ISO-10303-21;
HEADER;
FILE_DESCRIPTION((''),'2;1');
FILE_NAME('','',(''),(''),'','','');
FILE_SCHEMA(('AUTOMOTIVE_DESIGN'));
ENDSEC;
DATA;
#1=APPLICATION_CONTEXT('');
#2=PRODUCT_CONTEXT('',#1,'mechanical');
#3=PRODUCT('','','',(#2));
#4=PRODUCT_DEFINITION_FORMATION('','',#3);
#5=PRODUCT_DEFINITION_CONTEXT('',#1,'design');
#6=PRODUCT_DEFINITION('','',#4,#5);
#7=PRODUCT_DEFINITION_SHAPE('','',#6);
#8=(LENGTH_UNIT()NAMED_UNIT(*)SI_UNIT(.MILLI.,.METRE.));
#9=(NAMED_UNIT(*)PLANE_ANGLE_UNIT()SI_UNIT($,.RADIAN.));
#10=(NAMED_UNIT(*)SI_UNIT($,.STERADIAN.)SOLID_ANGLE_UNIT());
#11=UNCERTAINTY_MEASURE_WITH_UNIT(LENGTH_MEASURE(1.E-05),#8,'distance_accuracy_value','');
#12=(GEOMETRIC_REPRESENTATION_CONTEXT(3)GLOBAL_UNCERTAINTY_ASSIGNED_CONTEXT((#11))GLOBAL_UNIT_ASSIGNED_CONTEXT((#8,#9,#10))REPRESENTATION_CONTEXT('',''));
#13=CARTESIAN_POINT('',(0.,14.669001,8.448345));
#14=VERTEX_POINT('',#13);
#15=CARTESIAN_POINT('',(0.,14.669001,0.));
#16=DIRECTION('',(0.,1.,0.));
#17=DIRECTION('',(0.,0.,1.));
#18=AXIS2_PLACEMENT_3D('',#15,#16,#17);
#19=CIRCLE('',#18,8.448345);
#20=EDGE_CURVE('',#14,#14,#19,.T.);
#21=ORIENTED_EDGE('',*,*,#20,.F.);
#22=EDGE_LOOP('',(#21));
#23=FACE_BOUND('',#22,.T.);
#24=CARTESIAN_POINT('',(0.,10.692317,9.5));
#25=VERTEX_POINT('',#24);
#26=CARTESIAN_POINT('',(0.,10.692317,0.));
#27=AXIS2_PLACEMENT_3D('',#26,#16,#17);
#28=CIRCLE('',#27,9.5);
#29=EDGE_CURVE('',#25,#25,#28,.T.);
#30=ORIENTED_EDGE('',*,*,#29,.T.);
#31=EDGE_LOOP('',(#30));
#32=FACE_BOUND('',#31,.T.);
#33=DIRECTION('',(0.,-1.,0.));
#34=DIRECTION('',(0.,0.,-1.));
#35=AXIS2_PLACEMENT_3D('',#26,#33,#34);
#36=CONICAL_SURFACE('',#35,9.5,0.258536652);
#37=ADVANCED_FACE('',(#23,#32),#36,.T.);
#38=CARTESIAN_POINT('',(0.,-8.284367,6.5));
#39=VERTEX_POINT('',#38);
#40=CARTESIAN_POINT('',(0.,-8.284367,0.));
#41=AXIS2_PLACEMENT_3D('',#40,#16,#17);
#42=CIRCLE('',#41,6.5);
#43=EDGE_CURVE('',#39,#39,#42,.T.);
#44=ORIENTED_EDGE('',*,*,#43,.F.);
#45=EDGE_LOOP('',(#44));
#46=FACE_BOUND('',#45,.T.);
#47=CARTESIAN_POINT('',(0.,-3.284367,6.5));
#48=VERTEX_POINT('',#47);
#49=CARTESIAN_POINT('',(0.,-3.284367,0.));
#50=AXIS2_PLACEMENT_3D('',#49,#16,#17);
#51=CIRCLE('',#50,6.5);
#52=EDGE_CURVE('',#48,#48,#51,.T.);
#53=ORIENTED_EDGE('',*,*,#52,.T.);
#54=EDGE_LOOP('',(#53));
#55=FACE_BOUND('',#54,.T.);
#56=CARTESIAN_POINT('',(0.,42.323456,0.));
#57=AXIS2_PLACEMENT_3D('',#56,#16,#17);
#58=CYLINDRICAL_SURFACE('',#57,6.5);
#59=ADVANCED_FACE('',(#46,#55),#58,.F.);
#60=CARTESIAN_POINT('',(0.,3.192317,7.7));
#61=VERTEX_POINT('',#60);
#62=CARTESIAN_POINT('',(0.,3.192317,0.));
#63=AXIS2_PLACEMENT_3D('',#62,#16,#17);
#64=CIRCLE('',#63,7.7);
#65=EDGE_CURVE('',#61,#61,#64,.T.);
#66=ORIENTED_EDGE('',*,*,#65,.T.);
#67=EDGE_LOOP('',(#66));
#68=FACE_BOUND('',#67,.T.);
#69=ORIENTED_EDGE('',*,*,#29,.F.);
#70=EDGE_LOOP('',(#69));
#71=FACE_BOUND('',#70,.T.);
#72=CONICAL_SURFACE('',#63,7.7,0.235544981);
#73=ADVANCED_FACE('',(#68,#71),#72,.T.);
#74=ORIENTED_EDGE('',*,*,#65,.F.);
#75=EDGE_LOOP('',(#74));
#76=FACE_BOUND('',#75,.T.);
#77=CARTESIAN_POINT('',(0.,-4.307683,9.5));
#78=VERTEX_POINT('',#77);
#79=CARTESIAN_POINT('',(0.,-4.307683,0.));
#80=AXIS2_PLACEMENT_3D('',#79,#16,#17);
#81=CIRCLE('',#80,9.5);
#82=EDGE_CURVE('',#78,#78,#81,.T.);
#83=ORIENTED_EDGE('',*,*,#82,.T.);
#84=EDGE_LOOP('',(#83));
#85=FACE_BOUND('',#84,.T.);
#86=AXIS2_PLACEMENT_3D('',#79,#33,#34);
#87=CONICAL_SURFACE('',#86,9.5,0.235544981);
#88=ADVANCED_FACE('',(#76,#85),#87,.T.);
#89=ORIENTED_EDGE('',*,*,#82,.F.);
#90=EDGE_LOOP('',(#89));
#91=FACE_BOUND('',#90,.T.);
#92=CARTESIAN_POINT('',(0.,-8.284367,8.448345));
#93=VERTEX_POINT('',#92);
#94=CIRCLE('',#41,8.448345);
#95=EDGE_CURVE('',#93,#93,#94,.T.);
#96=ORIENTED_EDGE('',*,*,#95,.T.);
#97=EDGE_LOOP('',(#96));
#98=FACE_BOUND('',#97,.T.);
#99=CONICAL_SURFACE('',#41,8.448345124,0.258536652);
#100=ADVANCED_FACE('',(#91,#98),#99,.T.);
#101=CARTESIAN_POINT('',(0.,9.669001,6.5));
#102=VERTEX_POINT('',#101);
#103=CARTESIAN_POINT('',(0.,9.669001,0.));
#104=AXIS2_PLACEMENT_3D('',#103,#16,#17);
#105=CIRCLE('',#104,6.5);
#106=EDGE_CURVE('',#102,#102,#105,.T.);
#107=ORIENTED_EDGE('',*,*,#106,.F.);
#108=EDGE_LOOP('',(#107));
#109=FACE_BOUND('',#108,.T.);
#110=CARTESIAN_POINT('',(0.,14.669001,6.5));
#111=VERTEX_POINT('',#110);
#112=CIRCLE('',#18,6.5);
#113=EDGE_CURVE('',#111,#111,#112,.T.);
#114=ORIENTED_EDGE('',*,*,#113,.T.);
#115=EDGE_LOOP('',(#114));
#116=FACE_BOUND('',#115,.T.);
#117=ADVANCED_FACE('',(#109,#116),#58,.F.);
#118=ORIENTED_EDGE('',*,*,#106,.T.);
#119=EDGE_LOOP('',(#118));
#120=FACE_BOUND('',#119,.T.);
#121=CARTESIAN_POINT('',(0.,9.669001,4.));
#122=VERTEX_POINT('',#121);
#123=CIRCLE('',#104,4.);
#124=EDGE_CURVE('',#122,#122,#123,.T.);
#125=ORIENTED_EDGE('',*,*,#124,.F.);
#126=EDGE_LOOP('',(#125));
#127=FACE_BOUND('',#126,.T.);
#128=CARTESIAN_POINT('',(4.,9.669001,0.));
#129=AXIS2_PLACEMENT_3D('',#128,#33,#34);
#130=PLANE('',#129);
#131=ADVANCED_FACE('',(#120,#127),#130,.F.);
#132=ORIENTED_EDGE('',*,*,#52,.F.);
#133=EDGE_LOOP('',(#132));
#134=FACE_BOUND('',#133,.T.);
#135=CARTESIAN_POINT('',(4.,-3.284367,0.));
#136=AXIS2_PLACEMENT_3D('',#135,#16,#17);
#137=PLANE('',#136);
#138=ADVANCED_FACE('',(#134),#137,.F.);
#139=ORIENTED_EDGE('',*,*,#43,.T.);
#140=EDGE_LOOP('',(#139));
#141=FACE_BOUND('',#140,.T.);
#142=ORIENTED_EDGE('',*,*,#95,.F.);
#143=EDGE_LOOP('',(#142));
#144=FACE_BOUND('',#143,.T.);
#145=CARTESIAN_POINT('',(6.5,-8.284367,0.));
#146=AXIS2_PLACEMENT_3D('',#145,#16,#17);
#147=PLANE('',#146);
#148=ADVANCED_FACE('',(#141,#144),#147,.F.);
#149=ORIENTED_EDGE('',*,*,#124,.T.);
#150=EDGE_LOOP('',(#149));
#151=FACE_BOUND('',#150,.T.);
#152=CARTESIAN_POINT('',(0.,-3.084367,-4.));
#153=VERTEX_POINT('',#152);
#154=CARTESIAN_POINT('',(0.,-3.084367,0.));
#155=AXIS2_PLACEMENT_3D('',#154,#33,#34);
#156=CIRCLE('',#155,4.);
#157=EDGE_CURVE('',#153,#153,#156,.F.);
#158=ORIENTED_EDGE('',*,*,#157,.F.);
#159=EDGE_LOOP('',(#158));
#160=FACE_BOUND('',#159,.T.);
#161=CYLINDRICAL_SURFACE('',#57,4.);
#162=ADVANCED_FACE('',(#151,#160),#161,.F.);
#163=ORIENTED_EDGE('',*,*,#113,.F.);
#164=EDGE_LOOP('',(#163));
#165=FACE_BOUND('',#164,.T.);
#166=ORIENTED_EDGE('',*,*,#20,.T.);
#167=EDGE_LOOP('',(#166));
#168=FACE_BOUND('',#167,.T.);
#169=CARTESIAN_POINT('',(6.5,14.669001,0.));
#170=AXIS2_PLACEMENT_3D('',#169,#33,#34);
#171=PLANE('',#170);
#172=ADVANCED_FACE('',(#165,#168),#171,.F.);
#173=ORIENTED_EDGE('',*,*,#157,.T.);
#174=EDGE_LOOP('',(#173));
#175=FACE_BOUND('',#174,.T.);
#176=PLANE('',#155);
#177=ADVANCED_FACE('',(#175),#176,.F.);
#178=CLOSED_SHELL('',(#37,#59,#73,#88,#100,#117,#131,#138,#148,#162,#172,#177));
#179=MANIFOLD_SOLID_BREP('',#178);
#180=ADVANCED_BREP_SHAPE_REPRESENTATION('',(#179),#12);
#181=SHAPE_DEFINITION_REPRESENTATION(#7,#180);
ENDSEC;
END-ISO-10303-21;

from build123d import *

# Parameters (mm, degrees)
SKETCH2_R           = 4
BOSS_EXTRUDE1_DEPTH = 0.2


with BuildPart() as part:
    # Sketch1 → Revolve1 (revolve)
    with BuildSketch(Plane.XY):
        Polygon((4, -3.284366974), (4, 9.669000537), (6.5, 9.669000537), (6.5, 14.669000537), (8.448345124, 14.669000537), (9.5, 10.692316782), (7.7, 3.192316782), (9.5, -4.307683218), (8.448345124, -8.284366974), (6.5, -8.284366974), (6.5, -3.284366974), align=None)
    revolve(axis=Axis((0, 42.323455848, 0), (0, -1, 0)))

    # Sketch2 → Boss-Extrude1 (add)
    with BuildSketch(Plane.XZ.offset(3.284366974)):
        Circle(SKETCH2_R)
    extrude(amount=-BOSS_EXTRUDE1_DEPTH)


solid = part.part
